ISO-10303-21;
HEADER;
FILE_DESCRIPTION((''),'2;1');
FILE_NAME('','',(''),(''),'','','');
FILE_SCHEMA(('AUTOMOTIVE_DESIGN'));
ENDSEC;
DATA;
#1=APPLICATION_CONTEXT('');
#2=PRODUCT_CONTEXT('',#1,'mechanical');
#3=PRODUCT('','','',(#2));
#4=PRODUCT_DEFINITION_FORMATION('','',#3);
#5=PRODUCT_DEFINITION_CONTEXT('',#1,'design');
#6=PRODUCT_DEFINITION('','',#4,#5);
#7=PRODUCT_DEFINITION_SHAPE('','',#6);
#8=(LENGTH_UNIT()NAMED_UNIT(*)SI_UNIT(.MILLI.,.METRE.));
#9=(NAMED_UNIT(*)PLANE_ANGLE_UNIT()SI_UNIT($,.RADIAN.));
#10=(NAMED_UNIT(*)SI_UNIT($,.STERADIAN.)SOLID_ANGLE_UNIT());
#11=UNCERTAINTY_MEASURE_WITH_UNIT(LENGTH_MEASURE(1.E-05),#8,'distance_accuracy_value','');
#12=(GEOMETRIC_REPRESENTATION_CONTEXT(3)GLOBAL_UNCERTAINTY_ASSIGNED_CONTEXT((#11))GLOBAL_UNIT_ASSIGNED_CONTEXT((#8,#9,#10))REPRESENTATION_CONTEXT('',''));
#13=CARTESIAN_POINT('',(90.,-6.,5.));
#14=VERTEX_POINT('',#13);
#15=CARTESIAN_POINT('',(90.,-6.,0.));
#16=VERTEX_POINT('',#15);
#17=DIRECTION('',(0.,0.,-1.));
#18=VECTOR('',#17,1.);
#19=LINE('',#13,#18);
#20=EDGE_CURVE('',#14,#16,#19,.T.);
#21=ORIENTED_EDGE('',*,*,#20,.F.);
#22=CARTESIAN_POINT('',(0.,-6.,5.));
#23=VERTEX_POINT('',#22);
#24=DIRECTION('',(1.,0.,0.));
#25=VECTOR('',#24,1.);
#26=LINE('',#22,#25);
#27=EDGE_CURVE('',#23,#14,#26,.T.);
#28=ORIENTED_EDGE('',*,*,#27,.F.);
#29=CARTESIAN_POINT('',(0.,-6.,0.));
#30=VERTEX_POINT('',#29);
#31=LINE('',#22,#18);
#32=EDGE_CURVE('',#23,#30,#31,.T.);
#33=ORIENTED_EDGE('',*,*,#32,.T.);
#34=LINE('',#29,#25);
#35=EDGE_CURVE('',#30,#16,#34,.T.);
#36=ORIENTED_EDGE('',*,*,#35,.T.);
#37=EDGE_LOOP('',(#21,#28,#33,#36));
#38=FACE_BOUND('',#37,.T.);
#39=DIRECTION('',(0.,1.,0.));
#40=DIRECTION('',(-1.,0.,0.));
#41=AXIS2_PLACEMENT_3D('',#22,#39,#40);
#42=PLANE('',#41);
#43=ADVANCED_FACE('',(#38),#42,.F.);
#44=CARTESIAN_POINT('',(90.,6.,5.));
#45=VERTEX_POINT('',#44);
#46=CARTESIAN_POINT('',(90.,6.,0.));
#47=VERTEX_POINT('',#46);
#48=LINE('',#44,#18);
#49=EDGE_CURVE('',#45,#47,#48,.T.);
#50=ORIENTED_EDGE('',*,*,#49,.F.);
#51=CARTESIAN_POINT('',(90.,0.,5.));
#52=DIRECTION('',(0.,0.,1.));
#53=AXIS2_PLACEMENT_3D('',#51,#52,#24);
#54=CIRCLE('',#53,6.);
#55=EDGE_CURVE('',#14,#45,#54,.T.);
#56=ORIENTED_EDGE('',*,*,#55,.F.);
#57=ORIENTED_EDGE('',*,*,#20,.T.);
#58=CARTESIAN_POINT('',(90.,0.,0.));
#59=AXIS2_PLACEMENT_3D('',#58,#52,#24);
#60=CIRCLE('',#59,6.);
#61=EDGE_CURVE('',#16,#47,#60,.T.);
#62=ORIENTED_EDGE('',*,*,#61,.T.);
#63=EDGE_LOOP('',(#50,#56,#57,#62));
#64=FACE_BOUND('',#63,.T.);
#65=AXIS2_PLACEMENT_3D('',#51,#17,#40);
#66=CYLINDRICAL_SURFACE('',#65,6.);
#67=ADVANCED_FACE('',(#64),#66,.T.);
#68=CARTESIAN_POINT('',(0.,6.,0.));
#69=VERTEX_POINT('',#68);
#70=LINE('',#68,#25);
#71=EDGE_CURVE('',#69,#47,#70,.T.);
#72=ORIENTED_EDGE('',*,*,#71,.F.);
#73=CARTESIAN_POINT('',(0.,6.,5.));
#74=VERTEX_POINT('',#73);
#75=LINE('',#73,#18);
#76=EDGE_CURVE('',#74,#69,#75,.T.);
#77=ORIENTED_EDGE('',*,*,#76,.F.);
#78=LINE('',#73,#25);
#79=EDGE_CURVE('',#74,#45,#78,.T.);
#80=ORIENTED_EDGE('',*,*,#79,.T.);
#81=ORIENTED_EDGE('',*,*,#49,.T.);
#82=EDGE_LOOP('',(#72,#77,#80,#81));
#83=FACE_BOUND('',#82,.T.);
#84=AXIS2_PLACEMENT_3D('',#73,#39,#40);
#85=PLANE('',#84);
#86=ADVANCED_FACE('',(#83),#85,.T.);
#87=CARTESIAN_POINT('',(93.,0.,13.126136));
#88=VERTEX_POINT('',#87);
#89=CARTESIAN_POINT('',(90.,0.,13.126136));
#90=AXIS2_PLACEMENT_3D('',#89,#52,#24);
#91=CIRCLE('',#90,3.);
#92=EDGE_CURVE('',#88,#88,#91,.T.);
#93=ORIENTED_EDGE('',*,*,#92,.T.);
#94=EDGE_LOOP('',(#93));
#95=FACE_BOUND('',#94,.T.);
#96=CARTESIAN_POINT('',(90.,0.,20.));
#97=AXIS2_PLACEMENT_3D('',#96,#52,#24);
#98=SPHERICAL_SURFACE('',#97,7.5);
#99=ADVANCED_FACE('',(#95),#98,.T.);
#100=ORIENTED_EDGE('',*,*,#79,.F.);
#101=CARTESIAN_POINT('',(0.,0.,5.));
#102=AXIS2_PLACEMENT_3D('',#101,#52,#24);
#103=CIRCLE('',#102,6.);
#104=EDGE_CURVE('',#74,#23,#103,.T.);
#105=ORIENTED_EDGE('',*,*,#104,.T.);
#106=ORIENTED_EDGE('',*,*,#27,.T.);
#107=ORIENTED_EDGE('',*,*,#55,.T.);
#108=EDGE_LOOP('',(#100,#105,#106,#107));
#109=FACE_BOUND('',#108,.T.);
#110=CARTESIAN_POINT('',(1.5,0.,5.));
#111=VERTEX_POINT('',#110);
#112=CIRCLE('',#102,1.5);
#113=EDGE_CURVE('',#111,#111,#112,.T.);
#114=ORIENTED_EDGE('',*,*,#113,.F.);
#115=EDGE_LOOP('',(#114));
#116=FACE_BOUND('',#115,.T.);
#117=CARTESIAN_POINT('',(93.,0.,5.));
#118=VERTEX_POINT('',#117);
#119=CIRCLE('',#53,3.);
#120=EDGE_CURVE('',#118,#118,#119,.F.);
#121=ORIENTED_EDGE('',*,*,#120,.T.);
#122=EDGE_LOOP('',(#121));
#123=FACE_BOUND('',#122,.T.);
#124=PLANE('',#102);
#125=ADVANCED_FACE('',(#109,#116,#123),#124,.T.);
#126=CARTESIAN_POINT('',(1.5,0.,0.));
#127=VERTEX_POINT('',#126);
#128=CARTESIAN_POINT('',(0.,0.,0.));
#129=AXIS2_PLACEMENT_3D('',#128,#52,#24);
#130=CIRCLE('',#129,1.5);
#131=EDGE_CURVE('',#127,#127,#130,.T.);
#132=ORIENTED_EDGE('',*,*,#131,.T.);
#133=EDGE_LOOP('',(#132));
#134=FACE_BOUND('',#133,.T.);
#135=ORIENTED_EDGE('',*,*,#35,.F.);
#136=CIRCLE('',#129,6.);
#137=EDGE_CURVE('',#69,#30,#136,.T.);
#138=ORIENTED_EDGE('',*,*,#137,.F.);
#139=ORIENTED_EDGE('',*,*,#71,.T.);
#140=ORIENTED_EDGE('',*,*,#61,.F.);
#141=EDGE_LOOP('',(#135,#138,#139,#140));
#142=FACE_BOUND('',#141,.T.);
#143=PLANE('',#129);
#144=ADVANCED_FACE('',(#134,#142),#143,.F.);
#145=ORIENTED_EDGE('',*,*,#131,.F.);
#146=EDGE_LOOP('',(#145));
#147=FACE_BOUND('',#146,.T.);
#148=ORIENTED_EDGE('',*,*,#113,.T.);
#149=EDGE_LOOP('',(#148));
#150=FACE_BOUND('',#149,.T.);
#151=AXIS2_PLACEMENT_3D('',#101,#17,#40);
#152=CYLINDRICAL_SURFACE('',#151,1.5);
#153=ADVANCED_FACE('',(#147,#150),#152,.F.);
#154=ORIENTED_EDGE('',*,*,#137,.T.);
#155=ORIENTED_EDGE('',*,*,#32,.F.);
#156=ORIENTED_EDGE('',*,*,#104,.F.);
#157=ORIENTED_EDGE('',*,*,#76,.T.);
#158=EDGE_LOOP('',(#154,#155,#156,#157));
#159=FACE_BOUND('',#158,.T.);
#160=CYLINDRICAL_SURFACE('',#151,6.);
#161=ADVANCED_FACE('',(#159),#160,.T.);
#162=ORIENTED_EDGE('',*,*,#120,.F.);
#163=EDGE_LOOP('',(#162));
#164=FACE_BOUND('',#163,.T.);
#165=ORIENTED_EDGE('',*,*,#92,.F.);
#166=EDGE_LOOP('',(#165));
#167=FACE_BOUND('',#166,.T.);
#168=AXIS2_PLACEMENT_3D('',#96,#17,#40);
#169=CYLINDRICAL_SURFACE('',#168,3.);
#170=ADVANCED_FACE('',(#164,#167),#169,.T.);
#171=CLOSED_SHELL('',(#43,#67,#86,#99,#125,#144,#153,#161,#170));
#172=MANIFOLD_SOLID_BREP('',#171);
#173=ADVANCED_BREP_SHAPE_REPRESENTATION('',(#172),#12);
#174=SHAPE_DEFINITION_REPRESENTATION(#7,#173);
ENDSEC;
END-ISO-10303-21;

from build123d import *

# Parameters (mm, degrees)
SKETCH1_R           = 1.5
BOSS_EXTRUDE1_DEPTH = 5
FILLET3_R           = 1
BOSS_EXTRUDE2_START = -5
SKETCH2_R           = 3
BOSS_EXTRUDE2_DEPTH = 20


with BuildPart() as part:
    # Sketch1 → Boss-Extrude1 (new body)
    with BuildSketch(Plane.XY):
        with BuildLine():
            ThreePointArc((0, 6), (-6, 0), (0, -6))
            Line((0, -6), (90, -6))
            ThreePointArc((90, -6), (96, 0), (90, 6))
            Line((90, 6), (0, 6))
        make_face()
        Circle(SKETCH1_R, mode=Mode.SUBTRACT)
        with Locations((90, 0)):
            Circle(SKETCH1_R, mode=Mode.SUBTRACT)
    extrude(amount=BOSS_EXTRUDE1_DEPTH)

    # Fillet3
    fillet3_edges = [part.edges().sort_by_distance(p)[0] for p in [
        (88.5, 0, 0),
    ]]
    fillet(fillet3_edges, radius=FILLET3_R)

    # Sketch2 → Boss-Extrude2 (add)
    with BuildSketch(Plane.XY.offset(5).offset(BOSS_EXTRUDE2_START)):
        with Locations((90, 0)):
            Circle(SKETCH2_R)
    extrude(amount=BOSS_EXTRUDE2_DEPTH)

    # Sketch3 → Revolve1 (revolve)
    with BuildSketch(Plane.XY.offset(20)):
        with BuildLine():
            Line((82.5, 0), (97.5, 0))
            ThreePointArc((97.5, 0), (90, 7.5), (82.5, 0))
        make_face()
    revolve(axis=Axis((90, 0, 20), (1, 0, 0)))


solid = part.part
